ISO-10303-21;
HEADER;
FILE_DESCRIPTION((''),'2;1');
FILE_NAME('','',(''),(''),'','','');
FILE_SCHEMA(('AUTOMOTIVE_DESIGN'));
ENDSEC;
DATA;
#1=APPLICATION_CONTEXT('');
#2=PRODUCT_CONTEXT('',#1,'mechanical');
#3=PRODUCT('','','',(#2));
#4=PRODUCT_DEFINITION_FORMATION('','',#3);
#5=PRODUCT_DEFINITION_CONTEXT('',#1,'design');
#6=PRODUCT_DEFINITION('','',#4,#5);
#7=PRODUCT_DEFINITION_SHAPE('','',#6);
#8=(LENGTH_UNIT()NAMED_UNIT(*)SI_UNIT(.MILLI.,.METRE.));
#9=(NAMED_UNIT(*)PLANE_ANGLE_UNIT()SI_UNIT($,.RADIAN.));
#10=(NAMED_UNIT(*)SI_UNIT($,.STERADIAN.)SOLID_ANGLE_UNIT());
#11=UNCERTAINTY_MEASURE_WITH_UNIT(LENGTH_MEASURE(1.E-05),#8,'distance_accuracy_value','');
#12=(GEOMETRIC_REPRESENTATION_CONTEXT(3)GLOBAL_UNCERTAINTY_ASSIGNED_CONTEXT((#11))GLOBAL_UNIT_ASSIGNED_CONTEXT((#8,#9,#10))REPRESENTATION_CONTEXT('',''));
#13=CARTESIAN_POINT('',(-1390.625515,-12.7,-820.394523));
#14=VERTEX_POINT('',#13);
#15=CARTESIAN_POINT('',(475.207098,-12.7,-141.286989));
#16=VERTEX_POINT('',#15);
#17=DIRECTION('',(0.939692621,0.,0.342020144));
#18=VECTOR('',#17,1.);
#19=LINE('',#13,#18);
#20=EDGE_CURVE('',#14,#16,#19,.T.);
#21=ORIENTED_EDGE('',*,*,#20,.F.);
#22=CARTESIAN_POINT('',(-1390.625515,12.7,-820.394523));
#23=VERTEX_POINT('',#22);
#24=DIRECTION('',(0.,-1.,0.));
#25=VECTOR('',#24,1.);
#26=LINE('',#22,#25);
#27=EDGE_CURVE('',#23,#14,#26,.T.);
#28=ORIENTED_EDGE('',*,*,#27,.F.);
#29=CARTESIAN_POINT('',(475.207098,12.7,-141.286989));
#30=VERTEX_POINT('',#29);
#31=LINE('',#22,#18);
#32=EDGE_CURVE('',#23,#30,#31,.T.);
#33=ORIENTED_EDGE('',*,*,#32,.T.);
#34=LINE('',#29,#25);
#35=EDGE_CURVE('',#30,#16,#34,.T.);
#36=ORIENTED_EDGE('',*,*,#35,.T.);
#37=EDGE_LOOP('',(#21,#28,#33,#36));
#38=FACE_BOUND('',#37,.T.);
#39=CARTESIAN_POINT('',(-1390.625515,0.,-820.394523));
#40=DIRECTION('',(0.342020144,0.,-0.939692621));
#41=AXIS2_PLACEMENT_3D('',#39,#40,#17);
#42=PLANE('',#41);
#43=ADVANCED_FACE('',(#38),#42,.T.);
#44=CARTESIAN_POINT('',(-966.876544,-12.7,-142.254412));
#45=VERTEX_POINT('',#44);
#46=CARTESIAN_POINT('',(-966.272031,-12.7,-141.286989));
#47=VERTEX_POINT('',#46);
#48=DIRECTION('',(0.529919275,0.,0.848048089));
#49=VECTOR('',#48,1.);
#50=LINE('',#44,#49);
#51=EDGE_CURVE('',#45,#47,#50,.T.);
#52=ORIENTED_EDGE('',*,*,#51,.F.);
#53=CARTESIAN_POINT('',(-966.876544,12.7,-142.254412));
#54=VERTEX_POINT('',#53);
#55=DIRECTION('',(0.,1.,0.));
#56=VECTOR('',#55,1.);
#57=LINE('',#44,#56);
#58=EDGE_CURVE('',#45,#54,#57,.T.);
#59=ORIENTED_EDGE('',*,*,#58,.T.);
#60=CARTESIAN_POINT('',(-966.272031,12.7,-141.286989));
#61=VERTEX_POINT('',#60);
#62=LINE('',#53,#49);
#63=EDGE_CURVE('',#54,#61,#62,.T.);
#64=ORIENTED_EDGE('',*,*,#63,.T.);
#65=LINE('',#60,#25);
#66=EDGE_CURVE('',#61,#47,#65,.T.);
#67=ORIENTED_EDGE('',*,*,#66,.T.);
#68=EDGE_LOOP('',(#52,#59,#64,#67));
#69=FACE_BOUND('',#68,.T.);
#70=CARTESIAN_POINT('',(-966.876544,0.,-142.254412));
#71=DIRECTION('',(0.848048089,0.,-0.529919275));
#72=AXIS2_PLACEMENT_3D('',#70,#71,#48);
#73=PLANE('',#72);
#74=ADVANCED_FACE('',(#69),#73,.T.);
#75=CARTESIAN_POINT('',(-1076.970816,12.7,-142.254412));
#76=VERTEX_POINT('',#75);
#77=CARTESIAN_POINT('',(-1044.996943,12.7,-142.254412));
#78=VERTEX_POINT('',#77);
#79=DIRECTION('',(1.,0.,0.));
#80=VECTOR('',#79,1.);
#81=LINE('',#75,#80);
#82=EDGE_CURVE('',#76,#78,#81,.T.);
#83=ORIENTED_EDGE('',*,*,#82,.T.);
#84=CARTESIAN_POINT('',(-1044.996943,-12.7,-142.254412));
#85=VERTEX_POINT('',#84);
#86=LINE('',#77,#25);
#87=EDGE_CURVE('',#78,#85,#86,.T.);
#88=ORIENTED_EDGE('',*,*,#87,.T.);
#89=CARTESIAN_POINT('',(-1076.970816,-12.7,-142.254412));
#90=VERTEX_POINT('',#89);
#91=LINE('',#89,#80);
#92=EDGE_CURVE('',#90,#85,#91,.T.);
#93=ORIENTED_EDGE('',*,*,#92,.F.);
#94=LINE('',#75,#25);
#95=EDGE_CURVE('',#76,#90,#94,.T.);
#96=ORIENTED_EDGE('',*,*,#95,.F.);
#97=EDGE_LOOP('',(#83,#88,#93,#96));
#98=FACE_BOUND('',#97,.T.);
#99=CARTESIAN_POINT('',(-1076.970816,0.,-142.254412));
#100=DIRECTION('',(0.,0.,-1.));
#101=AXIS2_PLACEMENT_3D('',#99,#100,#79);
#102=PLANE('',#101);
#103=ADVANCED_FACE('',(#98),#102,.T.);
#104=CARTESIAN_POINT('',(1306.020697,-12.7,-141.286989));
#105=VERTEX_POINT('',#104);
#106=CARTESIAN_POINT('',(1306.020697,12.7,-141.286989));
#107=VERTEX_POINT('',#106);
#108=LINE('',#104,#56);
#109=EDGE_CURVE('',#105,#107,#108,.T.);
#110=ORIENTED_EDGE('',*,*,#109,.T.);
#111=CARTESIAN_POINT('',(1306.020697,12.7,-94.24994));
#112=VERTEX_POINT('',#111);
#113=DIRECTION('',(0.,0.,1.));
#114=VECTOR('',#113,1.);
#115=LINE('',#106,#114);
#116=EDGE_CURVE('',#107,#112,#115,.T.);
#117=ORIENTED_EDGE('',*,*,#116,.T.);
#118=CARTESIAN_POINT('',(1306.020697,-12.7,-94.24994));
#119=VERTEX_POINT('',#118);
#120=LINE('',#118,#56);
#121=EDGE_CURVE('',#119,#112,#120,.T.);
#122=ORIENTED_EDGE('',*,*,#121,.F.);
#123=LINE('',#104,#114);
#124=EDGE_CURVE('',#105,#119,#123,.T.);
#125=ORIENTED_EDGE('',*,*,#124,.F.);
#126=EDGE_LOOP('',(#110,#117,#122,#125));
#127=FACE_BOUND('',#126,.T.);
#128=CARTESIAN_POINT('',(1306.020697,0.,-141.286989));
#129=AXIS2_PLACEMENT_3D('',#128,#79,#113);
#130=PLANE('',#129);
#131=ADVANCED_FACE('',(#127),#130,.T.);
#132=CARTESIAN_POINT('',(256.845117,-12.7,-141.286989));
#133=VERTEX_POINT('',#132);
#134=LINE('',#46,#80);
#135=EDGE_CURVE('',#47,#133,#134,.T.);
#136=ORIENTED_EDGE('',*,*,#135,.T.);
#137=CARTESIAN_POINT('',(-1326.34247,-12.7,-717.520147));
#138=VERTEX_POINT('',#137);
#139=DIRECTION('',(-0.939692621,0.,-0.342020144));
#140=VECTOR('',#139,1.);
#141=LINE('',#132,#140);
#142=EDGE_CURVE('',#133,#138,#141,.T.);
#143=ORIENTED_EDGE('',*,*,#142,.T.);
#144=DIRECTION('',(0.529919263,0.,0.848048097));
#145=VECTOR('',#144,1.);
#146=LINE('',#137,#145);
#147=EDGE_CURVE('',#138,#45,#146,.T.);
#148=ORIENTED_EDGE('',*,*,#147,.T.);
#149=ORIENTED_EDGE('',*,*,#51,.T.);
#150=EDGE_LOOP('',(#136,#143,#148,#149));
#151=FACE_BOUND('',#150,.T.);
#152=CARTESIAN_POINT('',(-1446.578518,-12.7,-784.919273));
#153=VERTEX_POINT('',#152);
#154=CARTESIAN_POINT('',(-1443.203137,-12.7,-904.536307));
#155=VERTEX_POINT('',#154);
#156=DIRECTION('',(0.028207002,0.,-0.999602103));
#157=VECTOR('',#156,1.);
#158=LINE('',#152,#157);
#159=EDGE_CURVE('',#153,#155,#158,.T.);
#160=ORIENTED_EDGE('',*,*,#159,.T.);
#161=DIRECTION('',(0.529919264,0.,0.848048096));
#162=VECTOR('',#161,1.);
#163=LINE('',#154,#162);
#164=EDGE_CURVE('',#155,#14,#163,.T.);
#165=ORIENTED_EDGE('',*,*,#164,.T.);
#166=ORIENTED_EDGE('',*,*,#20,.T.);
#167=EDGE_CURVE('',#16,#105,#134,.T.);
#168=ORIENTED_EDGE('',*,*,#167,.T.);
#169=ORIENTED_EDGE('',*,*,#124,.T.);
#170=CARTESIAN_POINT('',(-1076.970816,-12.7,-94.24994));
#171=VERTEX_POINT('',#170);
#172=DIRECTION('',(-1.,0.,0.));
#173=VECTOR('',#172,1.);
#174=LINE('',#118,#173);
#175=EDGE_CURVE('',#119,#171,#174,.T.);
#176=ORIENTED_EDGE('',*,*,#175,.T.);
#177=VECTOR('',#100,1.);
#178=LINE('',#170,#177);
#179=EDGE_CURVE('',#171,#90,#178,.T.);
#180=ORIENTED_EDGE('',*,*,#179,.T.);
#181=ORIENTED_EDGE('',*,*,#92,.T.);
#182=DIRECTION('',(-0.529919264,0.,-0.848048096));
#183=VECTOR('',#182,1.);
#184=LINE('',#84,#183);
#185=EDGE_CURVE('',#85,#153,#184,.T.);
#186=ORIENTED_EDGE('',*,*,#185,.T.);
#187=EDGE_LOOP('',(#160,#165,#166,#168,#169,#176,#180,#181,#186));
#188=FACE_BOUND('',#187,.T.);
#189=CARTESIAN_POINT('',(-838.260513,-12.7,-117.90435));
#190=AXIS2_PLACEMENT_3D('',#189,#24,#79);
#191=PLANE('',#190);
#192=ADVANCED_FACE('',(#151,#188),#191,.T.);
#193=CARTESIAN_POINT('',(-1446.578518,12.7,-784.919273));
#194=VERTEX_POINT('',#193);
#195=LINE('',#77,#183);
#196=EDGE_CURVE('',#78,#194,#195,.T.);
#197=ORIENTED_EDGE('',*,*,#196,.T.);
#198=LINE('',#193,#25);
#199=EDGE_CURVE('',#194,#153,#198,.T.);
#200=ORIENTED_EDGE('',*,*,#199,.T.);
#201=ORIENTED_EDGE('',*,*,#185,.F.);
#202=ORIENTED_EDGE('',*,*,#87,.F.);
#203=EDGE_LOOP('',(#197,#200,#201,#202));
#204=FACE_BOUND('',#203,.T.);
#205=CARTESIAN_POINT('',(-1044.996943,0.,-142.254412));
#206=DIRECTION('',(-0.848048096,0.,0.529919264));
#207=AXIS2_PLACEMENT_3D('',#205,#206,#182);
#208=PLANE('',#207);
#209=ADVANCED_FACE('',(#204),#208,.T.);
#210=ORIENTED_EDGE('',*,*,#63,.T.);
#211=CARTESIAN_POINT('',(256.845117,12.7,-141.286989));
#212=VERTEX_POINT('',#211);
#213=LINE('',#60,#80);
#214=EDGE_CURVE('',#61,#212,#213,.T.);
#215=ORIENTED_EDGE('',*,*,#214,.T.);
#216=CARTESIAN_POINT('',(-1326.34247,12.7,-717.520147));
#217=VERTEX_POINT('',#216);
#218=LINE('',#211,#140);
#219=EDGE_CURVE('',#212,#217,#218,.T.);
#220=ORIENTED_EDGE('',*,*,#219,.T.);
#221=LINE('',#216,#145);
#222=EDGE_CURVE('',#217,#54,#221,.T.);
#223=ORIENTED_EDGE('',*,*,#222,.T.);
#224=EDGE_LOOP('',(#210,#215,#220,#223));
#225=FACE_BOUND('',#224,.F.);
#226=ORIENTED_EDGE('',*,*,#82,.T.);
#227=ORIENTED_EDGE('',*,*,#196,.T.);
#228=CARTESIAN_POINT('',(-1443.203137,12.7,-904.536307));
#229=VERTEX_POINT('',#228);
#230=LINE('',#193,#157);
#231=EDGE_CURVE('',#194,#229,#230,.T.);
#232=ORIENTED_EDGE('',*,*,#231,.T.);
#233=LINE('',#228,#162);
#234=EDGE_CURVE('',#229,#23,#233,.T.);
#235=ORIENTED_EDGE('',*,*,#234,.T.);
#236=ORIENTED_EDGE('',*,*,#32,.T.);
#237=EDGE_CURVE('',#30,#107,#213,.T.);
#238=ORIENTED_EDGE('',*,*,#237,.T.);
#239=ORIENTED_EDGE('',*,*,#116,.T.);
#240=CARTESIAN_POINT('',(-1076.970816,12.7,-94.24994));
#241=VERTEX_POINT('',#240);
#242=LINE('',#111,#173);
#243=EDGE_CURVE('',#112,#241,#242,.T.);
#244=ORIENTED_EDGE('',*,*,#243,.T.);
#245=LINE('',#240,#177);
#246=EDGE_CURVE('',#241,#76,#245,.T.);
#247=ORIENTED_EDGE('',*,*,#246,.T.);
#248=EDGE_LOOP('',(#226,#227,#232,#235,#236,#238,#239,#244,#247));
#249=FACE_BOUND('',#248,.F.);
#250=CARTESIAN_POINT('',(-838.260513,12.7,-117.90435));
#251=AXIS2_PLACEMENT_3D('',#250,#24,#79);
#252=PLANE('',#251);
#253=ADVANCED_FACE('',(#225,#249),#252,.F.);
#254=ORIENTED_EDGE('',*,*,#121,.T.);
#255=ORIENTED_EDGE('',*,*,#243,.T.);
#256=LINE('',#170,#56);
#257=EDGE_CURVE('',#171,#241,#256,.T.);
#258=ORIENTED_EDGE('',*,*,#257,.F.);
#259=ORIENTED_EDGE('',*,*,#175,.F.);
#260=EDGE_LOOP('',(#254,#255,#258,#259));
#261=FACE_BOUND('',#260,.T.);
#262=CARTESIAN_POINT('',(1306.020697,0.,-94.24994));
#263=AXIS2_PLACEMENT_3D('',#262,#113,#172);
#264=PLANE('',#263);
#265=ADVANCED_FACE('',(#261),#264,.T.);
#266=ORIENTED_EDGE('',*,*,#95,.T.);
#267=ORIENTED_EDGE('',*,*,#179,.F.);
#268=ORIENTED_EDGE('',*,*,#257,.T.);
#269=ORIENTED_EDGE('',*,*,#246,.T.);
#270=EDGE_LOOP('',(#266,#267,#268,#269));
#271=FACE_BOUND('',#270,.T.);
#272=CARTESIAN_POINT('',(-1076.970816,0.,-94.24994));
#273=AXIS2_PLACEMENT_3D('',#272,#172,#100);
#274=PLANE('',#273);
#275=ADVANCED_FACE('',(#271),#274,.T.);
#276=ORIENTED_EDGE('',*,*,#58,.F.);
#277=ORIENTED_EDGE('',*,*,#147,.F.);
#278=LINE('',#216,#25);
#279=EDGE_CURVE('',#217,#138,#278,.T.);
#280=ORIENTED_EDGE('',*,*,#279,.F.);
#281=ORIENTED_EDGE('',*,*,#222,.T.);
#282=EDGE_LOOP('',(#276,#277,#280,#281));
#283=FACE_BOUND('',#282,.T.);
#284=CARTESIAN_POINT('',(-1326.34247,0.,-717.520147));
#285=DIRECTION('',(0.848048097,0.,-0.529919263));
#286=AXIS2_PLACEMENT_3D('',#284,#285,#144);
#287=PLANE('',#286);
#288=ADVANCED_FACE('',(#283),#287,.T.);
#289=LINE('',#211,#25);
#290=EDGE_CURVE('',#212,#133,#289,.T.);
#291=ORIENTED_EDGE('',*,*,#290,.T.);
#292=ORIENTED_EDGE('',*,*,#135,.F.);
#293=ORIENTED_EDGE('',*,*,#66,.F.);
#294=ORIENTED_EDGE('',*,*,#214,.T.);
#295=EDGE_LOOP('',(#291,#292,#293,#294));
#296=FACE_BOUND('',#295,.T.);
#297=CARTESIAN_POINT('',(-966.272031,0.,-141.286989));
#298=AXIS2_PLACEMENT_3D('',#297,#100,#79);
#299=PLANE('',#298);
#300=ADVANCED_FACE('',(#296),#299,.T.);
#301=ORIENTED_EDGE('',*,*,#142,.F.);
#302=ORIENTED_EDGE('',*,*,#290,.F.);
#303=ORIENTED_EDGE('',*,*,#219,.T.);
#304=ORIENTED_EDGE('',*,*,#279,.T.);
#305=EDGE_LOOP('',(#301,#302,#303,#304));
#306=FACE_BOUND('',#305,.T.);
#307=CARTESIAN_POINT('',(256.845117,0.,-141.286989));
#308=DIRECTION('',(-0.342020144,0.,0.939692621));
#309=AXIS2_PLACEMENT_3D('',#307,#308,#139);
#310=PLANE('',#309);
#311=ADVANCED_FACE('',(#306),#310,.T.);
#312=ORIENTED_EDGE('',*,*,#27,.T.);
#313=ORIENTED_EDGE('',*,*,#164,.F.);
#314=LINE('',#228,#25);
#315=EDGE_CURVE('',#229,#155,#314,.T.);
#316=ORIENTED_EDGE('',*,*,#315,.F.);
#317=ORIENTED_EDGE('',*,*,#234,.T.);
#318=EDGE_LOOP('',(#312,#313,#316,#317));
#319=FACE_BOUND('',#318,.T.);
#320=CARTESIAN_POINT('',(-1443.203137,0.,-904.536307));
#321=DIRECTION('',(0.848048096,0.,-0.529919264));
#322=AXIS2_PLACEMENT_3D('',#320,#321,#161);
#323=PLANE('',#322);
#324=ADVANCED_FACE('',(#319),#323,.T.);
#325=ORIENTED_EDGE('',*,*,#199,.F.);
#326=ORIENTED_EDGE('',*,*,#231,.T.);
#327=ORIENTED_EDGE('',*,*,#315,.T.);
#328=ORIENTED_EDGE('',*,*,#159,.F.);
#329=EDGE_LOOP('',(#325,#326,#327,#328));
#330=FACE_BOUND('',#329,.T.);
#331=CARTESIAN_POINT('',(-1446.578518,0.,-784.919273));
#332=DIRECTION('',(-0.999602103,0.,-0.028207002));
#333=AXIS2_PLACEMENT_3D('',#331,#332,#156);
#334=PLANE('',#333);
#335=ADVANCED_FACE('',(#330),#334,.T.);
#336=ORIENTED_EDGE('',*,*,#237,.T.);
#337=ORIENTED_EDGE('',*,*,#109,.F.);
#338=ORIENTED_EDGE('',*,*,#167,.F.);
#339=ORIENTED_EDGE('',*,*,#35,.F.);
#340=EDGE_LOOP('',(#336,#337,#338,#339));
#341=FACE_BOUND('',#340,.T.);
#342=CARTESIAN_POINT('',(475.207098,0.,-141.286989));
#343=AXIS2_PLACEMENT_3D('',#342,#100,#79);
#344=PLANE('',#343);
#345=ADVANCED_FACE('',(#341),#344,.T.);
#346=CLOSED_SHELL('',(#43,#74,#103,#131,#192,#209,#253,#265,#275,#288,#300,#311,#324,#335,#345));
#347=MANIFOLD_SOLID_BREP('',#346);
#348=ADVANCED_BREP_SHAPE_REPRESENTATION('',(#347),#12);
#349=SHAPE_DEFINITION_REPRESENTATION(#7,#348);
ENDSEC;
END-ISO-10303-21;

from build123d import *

# Parameters (mm, degrees)
F1_DEPTH = 12.7


with BuildPart() as f1:
    # F0 (on Front) → F1 (new body, symmetric)
    with BuildSketch(Plane.XZ):
        Polygon((-598.979303, -141.286989), (-598.979303, -94.24994), (-1076.970816, -94.24994), (-1076.970816, -142.254412), (-1044.996943, -142.254412), (-966.876544, -142.254412), (-966.272031, -141.286989), align=None)
        Polygon((1306.020697, -94.24994), (-598.979303, -94.24994), (-598.979303, -141.286989), (256.845117, -141.286989), (475.207098, -141.286989), (1306.020697, -141.286989), align=None)
        Polygon((475.207098, -141.286989), (256.845117, -141.286989), (-1326.34247, -717.520147), (-1390.625515, -820.394523), align=None)
        Polygon((-1390.625515, -820.394523), (-1326.34247, -717.520147), (-966.876544, -142.254412), (-1044.996943, -142.254412), (-1446.578518, -784.919273), (-1443.203137, -904.536307), align=None)
    extrude(amount=F1_DEPTH, both=True)


solid = f1.part
